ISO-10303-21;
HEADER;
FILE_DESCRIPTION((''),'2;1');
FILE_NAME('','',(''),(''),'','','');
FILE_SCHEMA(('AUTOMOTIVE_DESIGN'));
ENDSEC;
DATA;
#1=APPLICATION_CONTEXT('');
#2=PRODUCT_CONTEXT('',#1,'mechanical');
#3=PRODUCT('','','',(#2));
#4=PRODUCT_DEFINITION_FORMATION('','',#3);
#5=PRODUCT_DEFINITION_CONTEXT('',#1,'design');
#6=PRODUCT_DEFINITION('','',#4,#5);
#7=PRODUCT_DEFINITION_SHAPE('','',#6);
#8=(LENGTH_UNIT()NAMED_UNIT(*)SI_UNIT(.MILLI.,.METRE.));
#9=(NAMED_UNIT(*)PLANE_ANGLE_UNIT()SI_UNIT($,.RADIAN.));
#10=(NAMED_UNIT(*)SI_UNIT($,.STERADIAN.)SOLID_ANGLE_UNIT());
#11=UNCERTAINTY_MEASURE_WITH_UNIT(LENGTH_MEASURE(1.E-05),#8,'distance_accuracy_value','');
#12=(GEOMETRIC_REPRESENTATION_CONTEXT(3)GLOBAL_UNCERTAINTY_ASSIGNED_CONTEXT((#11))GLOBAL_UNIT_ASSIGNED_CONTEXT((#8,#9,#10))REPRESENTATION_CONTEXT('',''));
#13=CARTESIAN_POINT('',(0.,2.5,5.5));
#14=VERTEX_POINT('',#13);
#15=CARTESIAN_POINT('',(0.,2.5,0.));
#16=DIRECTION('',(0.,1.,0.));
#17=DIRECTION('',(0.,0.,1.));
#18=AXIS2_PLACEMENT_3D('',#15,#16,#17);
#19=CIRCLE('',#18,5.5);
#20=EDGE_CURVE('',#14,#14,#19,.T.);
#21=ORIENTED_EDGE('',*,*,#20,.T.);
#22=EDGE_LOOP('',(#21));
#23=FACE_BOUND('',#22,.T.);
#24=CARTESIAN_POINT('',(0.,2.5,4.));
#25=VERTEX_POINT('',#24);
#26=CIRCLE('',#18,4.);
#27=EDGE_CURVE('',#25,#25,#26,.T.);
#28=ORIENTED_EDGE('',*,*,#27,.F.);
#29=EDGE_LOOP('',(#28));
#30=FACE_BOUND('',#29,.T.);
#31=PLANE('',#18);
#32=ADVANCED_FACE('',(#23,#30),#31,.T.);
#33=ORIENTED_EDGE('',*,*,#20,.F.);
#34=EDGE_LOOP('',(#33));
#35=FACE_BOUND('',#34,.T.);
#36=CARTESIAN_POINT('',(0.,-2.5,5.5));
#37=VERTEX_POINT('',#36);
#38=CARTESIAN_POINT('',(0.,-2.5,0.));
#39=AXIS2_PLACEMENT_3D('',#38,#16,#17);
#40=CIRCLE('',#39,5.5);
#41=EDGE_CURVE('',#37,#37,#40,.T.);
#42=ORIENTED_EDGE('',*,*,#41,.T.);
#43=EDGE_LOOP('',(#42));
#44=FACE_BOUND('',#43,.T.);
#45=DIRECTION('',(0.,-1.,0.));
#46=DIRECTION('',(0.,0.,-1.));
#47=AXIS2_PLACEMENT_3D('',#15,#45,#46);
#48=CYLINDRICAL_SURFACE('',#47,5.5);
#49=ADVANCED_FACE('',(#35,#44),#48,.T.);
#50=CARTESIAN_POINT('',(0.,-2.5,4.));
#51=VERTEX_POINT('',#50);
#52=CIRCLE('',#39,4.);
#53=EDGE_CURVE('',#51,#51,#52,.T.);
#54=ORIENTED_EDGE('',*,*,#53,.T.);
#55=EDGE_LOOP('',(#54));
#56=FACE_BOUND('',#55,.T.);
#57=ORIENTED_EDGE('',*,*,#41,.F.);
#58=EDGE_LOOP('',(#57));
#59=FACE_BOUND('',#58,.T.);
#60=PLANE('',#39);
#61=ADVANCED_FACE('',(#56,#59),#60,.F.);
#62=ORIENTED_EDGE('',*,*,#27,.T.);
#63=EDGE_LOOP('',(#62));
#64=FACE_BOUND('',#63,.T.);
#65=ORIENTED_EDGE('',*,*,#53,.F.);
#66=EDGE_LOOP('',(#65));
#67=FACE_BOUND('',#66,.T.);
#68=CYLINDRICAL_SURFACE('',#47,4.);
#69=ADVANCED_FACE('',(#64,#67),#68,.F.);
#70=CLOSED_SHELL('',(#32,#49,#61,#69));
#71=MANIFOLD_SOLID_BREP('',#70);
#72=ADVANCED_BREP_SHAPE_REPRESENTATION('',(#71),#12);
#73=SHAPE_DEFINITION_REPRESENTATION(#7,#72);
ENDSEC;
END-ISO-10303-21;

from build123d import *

# Parameters (mm, degrees)
SKETCH1_R           = 5.5
SKETCH1_R_2         = 4
BOSS_EXTRUDE1_DEPTH = 2.5


with BuildPart() as part:
    # Sketch1 → Boss-Extrude1 (new body, symmetric)
    with BuildSketch(Plane(origin=(0, 0, 0), x_dir=(1, 0, 0), z_dir=(0, 1, 0))):
        Circle(SKETCH1_R)
        Circle(SKETCH1_R_2, mode=Mode.SUBTRACT)
    extrude(amount=BOSS_EXTRUDE1_DEPTH, both=True)


solid = part.part
